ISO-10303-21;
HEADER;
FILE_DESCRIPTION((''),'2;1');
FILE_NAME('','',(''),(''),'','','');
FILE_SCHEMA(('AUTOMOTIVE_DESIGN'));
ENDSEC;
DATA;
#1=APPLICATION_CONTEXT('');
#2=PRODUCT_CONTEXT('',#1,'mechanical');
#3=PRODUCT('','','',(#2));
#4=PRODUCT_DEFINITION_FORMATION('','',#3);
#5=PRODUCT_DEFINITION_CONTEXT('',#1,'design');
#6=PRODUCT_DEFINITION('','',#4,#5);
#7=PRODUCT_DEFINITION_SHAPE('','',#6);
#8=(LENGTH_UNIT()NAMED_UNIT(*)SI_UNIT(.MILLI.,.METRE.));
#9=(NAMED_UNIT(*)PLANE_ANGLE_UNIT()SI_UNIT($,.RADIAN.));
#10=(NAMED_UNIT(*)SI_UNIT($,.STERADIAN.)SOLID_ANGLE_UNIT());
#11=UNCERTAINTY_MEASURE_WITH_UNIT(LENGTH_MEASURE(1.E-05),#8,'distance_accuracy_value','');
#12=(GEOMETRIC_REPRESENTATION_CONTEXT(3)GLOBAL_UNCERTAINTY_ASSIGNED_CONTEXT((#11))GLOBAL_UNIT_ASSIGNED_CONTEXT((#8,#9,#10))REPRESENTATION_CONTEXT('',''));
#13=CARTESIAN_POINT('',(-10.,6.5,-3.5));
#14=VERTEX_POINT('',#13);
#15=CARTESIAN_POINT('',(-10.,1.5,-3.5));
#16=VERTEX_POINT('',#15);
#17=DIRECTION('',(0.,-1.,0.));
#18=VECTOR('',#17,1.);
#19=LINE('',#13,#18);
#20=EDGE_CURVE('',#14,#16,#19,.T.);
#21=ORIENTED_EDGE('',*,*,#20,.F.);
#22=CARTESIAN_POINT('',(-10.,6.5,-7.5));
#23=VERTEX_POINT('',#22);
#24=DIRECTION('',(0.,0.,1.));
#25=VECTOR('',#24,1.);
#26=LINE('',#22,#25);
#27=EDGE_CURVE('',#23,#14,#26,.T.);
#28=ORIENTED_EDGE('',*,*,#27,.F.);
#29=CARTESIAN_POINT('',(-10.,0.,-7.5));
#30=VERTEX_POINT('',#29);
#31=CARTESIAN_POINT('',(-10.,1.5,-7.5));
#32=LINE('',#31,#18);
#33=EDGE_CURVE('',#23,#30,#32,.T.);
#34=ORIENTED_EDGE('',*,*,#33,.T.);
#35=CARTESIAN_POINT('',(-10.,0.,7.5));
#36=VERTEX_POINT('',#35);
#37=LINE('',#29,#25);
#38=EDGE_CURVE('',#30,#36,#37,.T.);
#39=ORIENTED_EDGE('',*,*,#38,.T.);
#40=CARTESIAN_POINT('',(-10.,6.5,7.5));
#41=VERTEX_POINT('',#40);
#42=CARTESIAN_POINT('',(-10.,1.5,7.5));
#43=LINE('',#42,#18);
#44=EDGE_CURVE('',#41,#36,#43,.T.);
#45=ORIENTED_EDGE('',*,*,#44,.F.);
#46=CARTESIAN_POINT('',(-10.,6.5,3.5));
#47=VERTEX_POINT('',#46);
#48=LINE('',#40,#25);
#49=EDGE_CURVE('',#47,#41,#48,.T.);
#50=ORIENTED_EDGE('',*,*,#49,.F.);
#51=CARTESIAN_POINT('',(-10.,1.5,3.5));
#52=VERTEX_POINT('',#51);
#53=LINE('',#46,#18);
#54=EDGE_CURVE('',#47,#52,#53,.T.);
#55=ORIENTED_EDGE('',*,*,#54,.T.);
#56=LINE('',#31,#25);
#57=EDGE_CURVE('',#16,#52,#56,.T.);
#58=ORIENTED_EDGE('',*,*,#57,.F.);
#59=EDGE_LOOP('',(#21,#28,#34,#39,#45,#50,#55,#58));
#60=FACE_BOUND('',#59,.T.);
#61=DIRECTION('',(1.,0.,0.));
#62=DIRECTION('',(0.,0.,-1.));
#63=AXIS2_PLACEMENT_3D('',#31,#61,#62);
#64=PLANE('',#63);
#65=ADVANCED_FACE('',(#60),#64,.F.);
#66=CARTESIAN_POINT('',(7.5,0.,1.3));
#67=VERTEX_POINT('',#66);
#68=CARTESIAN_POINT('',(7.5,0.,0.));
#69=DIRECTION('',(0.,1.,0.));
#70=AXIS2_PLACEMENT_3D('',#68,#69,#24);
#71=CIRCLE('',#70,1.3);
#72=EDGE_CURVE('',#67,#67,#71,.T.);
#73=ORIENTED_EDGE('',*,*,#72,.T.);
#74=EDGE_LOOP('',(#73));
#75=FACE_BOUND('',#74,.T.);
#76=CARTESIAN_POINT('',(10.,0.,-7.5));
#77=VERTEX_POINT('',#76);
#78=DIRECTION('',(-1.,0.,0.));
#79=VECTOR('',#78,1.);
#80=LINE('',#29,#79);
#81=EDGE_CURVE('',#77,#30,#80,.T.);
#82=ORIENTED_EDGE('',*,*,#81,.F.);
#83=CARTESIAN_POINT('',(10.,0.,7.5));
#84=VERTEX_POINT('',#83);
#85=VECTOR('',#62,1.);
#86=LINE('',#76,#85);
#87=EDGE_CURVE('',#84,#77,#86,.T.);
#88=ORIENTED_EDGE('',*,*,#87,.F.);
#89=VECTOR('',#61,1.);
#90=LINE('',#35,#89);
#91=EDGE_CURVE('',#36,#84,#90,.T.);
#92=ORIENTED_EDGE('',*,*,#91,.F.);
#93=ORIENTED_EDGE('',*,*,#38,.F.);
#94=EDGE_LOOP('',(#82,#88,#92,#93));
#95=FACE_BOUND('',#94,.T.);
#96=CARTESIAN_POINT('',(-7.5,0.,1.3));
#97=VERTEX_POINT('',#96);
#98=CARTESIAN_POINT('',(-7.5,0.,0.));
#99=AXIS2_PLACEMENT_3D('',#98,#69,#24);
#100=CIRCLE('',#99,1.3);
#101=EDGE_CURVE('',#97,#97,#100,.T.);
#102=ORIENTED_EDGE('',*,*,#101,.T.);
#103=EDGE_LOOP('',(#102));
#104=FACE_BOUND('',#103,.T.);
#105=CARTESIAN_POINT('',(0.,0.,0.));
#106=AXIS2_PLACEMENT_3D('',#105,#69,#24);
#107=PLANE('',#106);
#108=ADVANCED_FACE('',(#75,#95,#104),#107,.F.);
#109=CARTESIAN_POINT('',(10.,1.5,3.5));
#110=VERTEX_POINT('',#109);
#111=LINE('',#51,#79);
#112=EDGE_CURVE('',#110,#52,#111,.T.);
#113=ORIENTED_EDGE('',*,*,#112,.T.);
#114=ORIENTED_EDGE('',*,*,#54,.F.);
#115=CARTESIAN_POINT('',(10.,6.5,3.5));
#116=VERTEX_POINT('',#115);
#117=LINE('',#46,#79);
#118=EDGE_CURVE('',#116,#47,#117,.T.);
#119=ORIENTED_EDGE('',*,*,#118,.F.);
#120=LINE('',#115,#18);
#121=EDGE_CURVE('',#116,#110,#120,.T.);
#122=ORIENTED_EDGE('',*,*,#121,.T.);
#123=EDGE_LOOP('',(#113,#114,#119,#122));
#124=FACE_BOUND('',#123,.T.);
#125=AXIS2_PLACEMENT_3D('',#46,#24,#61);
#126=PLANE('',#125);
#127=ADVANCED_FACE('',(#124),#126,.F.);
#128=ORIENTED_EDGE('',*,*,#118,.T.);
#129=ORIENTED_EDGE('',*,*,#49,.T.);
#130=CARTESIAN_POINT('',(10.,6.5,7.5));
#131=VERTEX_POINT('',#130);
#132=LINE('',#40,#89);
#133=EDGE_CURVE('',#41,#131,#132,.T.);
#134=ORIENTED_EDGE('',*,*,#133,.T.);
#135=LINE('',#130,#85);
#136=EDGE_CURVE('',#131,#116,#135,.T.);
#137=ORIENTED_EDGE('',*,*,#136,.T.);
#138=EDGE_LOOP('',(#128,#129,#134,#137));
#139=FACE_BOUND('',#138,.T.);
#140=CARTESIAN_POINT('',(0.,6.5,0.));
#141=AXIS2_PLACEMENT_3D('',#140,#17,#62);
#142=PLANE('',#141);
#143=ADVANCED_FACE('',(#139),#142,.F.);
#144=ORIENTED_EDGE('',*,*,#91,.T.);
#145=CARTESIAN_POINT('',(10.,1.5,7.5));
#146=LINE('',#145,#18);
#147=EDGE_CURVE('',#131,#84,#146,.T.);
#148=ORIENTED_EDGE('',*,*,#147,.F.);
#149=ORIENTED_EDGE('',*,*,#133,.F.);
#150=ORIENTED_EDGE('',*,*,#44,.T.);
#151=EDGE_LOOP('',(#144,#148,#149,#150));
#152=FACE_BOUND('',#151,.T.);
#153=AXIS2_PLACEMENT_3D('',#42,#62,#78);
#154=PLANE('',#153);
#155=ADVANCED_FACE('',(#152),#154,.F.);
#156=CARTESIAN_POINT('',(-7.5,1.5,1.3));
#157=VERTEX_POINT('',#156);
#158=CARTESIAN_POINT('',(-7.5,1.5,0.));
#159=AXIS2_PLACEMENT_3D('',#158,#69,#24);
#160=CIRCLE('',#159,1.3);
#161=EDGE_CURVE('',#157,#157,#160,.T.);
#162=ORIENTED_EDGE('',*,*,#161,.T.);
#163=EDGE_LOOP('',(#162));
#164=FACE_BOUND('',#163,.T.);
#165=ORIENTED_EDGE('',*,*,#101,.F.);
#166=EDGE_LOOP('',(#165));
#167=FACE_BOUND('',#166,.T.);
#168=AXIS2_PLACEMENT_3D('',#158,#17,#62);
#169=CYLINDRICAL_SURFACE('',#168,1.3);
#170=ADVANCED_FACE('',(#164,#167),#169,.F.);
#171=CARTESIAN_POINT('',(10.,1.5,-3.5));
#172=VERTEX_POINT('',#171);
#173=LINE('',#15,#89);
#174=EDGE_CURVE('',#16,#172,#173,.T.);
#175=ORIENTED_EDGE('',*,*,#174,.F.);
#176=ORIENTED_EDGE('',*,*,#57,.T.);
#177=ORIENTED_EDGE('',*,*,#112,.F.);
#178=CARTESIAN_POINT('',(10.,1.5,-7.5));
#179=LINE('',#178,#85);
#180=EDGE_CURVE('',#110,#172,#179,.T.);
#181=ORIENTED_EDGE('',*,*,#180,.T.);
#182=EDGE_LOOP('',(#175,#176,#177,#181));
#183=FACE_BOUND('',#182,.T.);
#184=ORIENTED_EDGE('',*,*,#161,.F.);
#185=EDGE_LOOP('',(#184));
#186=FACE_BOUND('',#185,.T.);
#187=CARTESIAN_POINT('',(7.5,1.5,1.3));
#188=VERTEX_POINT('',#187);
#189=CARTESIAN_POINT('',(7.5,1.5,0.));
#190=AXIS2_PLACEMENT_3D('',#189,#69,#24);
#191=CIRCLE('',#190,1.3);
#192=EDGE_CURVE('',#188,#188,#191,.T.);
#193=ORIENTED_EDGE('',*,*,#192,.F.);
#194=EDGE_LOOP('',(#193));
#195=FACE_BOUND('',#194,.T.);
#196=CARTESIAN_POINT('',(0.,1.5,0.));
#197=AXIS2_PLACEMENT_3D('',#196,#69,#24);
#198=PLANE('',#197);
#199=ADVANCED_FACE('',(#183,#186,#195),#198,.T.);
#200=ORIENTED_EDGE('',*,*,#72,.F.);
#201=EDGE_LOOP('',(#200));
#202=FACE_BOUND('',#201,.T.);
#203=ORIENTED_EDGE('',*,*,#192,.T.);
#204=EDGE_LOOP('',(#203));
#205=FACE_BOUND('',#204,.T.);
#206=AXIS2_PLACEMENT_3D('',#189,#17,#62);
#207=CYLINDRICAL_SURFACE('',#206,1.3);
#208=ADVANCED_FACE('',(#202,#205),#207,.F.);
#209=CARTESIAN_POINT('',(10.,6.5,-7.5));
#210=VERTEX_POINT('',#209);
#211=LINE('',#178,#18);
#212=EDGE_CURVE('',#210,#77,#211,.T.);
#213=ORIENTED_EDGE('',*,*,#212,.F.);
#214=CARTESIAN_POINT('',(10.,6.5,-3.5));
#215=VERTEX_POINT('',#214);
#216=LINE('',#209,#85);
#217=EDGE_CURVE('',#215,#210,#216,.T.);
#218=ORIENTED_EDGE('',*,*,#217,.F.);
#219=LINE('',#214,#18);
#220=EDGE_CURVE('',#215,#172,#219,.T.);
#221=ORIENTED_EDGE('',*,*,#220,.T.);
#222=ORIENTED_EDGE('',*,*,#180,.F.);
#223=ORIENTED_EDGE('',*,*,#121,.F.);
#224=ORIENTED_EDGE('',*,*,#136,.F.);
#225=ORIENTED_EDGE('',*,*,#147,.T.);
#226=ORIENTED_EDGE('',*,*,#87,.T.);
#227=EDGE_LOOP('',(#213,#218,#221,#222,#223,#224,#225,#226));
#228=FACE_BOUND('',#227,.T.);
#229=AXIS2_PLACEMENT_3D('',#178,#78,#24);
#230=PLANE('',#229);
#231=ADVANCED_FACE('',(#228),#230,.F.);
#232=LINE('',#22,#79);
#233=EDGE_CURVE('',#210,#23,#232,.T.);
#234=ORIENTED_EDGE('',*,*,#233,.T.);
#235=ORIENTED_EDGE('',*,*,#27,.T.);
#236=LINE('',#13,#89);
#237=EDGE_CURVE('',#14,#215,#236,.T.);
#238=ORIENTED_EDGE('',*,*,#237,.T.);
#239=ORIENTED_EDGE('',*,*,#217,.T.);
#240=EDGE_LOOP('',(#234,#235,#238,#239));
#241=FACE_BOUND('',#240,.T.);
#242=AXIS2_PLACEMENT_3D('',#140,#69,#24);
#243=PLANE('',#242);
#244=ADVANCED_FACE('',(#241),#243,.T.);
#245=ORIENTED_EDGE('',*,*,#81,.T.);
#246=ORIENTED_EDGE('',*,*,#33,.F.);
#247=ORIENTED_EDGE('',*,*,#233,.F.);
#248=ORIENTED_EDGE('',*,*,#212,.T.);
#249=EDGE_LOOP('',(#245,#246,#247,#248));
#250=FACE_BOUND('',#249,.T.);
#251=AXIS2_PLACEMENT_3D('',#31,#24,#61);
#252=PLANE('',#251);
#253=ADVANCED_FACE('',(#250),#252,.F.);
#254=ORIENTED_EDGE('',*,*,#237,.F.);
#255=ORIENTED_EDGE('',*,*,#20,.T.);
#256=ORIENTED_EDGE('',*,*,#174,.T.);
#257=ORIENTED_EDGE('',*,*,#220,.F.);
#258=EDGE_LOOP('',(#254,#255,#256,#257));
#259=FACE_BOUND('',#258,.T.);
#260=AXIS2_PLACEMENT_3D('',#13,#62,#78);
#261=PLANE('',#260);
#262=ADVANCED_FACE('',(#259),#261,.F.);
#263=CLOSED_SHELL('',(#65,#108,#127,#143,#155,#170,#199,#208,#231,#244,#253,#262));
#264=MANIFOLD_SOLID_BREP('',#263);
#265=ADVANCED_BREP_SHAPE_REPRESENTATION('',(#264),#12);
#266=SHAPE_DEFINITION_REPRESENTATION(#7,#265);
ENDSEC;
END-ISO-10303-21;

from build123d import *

# Parameters (mm, degrees)
SKETCH_1_W      = 20
SKETCH_1_H      = 15
SKETCH_1_R      = 1.3
EXTRUDE_1_DEPTH = 1.5
SKETCH_2_W      = 20
SKETCH_2_H      = 4
EXTRUDE_2_DEPTH = 5


with BuildPart() as part:
    # 草图1 → 凸台-拉伸1 (new body)
    with BuildSketch(Plane(origin=(0, 0, 0), x_dir=(1, 0, 0), z_dir=(0, 1, 0))):
        Rectangle(SKETCH_1_W, SKETCH_1_H)
        with Locations(Location((7.5, 0, 0), (0, 0, 270))):
            Circle(SKETCH_1_R, mode=Mode.SUBTRACT)
        with Locations(Location((-7.5, 0, 0), (0, 0, 270))):
            Circle(SKETCH_1_R, mode=Mode.SUBTRACT)
    extrude(amount=EXTRUDE_1_DEPTH)

    # 草图2 → 凸台-拉伸2 (add)
    with BuildSketch(Plane(origin=(0, 1.5, 0), x_dir=(1, 0, 0), z_dir=(0, 1, 0))):
        with Locations((0, 5.5)):
            Rectangle(SKETCH_2_W, SKETCH_2_H)
        with Locations((0, -5.5)):
            Rectangle(SKETCH_2_W, SKETCH_2_H)
    extrude(amount=EXTRUDE_2_DEPTH)


solid = part.part
